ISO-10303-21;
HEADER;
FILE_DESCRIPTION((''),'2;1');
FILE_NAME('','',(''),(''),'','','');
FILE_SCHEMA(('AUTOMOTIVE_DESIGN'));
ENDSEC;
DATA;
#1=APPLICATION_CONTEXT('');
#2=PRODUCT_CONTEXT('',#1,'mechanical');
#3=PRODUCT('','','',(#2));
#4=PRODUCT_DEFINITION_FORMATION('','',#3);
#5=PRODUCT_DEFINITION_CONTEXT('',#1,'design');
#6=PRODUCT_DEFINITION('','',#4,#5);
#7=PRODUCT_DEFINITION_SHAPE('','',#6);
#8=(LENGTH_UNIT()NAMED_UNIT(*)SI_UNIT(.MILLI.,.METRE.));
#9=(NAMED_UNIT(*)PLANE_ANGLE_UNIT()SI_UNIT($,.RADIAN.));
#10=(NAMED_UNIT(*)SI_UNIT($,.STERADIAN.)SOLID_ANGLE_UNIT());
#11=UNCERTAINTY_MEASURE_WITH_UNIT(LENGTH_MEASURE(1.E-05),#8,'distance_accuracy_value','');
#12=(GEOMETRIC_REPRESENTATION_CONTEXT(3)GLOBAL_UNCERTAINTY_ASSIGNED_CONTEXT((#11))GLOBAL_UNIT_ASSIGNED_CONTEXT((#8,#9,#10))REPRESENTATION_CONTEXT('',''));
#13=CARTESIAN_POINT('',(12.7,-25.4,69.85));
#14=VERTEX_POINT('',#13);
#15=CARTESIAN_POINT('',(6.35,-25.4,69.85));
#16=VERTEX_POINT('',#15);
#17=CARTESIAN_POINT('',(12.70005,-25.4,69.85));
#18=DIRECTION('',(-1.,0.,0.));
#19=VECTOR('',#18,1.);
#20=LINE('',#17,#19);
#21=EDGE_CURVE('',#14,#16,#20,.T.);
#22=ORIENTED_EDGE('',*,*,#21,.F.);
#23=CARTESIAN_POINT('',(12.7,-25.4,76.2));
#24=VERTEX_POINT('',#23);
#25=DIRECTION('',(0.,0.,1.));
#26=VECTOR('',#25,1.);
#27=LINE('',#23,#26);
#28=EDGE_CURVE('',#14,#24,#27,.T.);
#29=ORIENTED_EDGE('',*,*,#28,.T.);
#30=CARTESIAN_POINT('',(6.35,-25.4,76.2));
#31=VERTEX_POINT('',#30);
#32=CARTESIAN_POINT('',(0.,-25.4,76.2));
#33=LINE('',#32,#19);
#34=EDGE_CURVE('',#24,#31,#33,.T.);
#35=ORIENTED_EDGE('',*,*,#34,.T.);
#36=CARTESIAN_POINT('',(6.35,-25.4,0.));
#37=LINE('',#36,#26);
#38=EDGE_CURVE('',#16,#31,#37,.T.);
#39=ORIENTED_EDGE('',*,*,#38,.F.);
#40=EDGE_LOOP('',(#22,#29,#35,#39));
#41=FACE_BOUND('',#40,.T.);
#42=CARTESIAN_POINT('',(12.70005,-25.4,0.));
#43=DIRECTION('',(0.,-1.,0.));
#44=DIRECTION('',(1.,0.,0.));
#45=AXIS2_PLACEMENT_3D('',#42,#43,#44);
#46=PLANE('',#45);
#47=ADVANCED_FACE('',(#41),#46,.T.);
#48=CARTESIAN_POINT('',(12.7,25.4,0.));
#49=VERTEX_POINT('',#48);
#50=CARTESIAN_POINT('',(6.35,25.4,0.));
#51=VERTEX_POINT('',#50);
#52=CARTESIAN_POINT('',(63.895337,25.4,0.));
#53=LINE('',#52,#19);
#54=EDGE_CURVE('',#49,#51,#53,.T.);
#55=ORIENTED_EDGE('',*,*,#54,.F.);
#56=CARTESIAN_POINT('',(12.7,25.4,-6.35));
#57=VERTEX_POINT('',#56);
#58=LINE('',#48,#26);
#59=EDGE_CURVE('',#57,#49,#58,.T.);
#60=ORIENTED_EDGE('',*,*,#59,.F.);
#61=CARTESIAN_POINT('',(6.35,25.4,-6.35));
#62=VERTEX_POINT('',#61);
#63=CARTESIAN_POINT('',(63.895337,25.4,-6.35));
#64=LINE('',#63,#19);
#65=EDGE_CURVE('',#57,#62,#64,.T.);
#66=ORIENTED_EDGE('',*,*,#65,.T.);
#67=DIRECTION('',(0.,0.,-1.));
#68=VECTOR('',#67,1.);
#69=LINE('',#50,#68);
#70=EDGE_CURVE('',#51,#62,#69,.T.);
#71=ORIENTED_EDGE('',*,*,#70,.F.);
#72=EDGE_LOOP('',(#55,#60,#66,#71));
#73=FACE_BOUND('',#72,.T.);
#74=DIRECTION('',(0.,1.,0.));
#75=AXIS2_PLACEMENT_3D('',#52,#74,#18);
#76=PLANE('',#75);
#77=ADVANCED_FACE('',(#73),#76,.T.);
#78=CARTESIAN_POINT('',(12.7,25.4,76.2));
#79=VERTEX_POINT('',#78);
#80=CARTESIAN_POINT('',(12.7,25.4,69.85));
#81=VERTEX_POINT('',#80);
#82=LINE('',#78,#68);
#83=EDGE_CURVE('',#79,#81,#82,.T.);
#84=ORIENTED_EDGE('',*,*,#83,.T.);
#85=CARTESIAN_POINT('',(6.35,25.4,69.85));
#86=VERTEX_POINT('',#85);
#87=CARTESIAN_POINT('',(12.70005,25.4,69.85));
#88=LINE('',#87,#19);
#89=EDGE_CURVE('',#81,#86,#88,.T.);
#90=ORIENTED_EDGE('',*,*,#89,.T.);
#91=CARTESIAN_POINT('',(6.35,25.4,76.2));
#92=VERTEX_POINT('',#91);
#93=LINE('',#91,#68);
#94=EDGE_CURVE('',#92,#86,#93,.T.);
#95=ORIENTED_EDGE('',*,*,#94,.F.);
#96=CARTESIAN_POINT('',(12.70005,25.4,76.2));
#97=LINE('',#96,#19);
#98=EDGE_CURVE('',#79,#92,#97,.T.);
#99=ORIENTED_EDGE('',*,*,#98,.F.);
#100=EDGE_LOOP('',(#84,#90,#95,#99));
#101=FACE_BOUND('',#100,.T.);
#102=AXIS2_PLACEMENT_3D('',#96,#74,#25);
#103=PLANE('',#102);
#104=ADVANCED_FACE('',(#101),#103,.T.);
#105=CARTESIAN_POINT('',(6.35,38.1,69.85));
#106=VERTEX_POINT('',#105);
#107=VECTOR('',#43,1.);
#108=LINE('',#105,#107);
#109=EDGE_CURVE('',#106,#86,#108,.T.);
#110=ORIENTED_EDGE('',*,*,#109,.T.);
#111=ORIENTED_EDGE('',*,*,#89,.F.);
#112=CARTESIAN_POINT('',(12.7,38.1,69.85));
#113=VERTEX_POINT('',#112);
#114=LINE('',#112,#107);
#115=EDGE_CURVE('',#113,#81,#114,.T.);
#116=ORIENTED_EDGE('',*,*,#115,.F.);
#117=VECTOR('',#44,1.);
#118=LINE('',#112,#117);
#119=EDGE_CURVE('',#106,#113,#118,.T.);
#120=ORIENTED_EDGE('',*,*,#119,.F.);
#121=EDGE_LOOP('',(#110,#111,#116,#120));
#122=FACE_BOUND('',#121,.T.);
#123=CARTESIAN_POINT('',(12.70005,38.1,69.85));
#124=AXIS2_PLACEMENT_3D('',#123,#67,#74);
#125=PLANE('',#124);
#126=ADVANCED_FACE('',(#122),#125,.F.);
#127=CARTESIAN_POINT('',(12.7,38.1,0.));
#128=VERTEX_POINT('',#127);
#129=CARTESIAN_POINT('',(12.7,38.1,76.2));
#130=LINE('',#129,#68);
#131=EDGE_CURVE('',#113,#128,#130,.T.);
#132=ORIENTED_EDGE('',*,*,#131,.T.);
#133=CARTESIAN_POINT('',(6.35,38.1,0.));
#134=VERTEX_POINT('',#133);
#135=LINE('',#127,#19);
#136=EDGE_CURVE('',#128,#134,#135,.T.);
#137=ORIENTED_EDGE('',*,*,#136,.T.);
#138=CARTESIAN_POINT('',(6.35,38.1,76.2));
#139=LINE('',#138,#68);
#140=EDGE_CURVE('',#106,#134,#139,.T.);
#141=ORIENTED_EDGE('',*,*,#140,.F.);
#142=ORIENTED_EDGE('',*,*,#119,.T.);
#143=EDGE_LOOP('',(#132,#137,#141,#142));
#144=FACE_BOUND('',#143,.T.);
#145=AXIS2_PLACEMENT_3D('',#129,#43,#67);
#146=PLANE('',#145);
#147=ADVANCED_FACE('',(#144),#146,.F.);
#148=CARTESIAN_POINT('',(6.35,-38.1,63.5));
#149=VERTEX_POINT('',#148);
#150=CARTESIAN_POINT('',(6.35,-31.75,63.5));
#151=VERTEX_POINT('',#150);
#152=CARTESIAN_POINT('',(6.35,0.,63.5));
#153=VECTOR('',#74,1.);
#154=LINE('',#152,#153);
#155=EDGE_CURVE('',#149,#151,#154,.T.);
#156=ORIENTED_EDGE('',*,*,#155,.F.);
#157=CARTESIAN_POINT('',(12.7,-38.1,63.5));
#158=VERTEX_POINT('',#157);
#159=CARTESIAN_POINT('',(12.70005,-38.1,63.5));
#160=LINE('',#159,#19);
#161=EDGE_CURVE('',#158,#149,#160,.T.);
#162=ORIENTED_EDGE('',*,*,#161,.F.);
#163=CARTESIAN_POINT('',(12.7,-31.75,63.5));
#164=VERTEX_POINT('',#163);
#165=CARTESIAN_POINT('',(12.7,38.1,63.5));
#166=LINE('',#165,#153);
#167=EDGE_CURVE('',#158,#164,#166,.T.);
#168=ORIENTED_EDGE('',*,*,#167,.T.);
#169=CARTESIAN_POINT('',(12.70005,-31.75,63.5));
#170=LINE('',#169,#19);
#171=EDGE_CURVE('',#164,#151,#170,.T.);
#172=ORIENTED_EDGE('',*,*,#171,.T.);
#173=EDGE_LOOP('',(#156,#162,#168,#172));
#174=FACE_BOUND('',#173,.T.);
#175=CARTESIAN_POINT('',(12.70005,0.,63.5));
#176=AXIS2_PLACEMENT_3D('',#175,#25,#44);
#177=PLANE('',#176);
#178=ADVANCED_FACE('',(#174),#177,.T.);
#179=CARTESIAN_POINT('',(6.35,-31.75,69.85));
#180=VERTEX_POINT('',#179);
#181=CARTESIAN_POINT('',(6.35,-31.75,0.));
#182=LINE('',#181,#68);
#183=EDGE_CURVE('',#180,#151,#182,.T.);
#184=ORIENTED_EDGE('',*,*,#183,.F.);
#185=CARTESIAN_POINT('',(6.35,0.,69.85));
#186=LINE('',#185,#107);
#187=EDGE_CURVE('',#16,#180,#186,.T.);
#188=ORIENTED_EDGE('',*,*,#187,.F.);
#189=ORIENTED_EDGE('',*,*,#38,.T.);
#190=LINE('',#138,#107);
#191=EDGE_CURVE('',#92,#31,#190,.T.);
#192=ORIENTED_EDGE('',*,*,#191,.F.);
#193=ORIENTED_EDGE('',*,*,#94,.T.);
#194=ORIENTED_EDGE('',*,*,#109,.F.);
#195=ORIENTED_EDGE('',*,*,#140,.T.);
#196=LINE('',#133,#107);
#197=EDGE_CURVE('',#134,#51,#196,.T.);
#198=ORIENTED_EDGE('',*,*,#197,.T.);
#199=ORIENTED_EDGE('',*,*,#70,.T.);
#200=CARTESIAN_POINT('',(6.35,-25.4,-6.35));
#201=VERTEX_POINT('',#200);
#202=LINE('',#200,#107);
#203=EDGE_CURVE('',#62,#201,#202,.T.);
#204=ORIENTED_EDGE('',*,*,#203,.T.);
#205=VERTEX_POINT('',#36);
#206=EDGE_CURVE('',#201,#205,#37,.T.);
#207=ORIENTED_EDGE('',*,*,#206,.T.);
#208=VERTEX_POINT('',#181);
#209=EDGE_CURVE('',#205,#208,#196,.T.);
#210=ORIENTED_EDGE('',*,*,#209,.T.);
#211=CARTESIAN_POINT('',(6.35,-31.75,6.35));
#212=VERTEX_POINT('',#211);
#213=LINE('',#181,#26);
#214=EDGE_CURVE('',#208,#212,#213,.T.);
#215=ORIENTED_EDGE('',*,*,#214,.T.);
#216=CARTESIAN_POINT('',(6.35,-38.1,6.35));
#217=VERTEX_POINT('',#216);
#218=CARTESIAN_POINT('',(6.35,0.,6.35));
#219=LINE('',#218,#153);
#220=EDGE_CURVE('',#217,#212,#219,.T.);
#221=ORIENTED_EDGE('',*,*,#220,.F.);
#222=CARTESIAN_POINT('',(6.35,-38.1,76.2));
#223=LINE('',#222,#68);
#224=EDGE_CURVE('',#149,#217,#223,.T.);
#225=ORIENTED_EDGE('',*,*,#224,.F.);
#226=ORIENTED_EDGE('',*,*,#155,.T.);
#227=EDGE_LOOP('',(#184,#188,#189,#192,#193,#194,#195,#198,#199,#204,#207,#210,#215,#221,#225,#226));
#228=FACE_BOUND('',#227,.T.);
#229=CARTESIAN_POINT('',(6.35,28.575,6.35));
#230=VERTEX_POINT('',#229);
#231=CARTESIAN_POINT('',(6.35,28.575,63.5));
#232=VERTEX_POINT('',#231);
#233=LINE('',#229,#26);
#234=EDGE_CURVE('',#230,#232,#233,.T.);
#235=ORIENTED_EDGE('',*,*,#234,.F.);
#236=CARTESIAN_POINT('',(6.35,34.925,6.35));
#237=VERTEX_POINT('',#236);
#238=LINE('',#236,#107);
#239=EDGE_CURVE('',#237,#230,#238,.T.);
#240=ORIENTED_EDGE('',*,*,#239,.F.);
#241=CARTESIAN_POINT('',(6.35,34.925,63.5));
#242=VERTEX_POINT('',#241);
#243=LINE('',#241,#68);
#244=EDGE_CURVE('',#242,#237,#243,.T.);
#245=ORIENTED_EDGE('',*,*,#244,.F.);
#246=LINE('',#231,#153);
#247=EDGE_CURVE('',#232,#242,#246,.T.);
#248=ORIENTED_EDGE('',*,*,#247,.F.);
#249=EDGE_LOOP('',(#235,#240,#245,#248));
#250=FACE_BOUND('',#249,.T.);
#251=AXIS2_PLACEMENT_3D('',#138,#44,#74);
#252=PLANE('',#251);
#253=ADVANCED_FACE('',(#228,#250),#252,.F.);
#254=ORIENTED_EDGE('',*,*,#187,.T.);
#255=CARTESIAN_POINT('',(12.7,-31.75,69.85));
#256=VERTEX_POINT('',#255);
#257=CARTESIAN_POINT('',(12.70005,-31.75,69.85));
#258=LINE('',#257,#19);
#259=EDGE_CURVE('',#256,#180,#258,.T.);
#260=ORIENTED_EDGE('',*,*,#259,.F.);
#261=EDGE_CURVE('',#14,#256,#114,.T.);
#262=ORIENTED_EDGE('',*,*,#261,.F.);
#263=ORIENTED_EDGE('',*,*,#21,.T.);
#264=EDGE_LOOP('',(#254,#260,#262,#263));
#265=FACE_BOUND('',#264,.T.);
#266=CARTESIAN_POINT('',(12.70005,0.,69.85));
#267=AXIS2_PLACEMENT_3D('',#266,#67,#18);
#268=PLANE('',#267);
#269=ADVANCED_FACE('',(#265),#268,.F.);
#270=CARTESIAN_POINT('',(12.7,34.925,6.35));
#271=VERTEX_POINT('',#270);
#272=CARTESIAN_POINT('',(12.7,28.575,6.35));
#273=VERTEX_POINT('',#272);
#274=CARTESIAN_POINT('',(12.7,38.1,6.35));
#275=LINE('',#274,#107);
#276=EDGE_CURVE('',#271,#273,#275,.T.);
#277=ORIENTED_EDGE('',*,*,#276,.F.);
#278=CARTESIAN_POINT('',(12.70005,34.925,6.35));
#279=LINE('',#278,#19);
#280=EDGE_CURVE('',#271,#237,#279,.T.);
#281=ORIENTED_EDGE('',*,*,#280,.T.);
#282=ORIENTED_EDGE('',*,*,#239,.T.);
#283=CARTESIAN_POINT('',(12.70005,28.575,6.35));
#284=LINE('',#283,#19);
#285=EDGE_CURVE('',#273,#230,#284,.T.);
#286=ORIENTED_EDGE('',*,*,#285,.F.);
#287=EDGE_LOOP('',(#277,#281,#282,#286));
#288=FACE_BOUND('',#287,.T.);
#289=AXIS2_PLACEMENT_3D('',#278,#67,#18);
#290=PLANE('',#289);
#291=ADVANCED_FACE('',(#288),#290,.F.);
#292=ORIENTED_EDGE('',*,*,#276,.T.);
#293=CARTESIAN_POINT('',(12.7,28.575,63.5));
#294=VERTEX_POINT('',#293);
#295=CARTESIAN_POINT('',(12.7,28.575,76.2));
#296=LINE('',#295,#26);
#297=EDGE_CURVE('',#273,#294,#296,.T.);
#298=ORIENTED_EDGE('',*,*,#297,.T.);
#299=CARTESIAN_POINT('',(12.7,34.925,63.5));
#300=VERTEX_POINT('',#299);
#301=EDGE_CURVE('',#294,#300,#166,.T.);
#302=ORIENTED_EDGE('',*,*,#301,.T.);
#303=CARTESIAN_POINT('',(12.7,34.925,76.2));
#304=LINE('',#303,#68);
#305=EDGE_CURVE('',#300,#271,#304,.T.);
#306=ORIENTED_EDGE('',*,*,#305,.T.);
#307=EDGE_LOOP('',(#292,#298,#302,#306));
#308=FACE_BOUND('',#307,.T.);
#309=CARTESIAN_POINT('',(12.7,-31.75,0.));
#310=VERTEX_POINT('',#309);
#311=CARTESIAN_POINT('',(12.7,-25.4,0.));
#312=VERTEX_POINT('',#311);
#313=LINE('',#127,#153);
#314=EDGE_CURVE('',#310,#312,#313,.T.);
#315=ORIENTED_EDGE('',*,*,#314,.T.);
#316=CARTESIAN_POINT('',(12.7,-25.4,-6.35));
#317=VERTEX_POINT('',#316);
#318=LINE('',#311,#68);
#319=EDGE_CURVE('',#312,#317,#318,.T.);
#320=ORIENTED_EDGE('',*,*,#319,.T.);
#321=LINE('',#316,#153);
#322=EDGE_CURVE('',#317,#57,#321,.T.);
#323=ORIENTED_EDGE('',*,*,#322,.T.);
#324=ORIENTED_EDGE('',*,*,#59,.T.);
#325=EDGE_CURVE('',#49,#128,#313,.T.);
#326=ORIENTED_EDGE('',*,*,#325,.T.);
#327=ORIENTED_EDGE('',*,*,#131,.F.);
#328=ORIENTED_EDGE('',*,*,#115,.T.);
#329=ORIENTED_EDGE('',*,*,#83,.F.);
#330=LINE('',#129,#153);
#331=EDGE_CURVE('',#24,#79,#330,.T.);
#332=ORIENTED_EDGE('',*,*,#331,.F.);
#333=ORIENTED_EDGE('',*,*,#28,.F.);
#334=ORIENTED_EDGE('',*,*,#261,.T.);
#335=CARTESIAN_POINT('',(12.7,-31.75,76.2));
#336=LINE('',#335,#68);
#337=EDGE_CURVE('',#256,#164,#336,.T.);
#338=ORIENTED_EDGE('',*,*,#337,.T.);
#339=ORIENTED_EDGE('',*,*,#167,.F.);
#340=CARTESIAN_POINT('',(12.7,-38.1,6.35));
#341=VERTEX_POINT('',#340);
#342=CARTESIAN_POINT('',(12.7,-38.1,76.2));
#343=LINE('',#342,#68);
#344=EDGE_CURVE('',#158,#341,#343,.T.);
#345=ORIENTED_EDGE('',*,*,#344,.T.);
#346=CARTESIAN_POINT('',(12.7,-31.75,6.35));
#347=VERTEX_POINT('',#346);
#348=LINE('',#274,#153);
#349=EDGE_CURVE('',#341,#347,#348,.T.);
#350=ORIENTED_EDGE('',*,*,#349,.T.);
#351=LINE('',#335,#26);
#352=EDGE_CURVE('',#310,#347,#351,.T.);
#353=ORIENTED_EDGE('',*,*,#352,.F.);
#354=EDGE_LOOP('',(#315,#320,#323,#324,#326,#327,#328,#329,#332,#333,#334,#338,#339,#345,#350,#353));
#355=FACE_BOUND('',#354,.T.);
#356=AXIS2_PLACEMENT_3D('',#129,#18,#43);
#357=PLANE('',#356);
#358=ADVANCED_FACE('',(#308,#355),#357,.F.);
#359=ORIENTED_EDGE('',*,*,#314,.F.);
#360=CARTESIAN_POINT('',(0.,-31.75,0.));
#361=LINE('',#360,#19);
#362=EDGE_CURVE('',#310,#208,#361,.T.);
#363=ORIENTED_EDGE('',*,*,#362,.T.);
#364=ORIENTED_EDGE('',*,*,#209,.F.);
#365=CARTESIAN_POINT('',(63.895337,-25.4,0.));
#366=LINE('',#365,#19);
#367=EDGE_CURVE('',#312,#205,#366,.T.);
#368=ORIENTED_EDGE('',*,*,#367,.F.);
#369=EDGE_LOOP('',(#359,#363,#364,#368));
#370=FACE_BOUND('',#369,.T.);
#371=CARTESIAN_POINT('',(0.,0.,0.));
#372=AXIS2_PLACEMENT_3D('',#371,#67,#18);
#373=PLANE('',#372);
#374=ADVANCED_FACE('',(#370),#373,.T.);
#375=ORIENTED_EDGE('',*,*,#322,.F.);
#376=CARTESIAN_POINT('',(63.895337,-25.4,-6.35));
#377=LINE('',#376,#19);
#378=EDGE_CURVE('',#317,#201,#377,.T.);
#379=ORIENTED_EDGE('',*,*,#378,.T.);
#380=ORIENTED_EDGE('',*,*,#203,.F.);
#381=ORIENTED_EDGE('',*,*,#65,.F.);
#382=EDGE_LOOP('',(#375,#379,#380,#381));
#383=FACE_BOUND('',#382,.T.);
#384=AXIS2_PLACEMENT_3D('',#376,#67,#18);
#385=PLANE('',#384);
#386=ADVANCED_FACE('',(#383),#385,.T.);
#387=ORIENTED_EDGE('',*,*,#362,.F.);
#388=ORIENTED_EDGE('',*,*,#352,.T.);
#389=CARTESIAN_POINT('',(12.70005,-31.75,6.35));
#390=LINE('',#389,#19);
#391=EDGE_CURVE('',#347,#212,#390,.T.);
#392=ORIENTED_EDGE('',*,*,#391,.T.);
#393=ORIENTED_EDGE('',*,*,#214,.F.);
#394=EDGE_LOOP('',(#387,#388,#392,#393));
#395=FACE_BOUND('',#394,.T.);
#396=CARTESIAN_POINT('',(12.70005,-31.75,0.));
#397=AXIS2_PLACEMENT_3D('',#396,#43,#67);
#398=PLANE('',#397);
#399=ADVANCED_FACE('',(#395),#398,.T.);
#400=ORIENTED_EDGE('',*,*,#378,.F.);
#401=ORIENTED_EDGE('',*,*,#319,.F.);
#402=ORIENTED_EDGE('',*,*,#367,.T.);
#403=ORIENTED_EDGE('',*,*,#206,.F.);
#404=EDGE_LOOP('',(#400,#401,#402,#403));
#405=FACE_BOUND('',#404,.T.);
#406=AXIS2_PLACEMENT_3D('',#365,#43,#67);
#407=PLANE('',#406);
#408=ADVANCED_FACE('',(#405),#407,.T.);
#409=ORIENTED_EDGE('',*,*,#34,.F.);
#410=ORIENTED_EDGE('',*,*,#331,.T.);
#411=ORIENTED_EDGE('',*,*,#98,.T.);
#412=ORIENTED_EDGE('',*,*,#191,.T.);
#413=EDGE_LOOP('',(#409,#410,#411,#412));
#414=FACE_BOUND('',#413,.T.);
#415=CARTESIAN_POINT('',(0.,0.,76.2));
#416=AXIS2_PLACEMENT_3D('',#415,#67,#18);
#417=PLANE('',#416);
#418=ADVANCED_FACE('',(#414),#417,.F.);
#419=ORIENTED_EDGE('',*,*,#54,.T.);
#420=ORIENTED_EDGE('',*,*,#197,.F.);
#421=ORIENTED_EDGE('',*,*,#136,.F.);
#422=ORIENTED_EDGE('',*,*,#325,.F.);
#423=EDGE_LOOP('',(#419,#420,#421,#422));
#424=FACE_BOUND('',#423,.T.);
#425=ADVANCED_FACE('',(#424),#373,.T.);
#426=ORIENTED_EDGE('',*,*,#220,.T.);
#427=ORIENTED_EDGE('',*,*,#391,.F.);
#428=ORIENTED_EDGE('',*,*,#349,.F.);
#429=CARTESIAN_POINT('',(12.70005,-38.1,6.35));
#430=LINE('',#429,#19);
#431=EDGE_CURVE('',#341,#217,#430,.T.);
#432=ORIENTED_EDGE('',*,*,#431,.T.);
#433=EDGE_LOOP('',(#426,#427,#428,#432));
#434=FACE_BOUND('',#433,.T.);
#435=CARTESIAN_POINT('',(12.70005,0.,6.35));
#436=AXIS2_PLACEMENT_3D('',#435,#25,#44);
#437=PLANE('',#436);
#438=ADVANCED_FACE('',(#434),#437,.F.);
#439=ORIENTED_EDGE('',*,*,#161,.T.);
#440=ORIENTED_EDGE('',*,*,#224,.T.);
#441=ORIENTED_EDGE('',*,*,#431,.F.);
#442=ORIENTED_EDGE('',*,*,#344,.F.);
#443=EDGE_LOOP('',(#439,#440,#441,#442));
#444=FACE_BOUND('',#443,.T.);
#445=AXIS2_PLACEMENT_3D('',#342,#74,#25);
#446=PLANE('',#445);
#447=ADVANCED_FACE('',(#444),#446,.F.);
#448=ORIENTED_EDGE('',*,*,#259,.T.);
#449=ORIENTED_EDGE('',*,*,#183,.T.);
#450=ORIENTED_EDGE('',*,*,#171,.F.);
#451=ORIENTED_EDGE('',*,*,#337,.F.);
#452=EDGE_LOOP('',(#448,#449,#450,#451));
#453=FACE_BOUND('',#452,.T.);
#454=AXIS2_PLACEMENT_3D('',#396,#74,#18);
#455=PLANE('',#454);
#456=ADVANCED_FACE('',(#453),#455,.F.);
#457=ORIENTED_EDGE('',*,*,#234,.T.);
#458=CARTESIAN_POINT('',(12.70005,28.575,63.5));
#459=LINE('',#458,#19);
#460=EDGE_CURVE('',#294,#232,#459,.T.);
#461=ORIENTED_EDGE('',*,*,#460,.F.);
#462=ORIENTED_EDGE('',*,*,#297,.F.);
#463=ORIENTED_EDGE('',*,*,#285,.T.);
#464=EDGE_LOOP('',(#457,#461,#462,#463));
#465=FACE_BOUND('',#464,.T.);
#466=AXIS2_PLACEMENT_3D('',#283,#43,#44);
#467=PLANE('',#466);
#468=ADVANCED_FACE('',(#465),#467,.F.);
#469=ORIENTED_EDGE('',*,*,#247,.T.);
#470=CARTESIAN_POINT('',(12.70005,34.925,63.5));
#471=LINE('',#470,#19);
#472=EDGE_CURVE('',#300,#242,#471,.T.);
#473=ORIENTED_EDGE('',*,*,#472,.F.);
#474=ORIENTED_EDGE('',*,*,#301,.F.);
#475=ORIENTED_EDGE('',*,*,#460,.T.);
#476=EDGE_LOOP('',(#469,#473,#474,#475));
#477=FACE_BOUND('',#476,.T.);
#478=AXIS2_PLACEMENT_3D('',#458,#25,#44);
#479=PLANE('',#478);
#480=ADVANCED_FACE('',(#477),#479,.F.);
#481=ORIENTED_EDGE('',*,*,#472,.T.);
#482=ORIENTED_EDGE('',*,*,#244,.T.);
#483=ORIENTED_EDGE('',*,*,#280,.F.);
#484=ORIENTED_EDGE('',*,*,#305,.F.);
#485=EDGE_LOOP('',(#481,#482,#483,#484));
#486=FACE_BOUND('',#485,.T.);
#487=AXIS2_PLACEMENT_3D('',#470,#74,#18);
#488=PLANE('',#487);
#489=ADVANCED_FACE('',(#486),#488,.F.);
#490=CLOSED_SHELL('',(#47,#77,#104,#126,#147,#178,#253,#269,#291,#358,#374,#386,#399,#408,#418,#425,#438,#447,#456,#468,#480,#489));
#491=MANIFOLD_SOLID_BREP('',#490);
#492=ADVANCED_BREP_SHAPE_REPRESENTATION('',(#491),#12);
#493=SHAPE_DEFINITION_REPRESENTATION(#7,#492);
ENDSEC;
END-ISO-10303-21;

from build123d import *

# Parameters (mm, degrees)
SKETCH1_W           = 6.35
SKETCH1_H           = 76.2
BOSS_EXTRUDE1_DEPTH = 76.2
SKETCH2_W           = 6.35
SKETCH2_H           = 50.8
BOSS_EXTRUDE2_DEPTH = 6.35
SKETCH3_W           = 6.35
SKETCH3_H           = 6.35
SKETCH3_H_2         = 12.7
CUT_EXTRUDE1_DEPTH  = 86.430512699
SKETCH4_W           = 57.15
SKETCH4_H           = 6.35
CUT_EXTRUDE2_DEPTH  = 86.430512699


with BuildPart() as part:
    # Sketch1 → Boss-Extrude1 (new body)
    with BuildSketch(Plane.XY):
        with Locations((9.525, 0)):
            Rectangle(SKETCH1_W, SKETCH1_H)
    extrude(amount=BOSS_EXTRUDE1_DEPTH)

    # Sketch2 → Boss-Extrude2 (add)
    with BuildSketch(Plane.ZY.offset(-6.35)):
        with Locations((-3.175, 0)):
            Rectangle(SKETCH2_W, SKETCH2_H)
    extrude(amount=-BOSS_EXTRUDE2_DEPTH)

    # Sketch3 → Cut-Extrude1 (cut, through all)
    with BuildSketch(Plane.ZY.offset(-6.35)):
        Polygon((69.85, -38.1), (76.2, -38.1), (76.2, -25.4), (69.85, -25.4), (69.85, -31.75), (63.5, -31.75), (63.5, -38.1), align=None)
        with Locations((3.175, -34.925)):
            Rectangle(SKETCH3_W, SKETCH3_H)
        with Locations((73.025, 31.75)):
            Rectangle(SKETCH3_W, SKETCH3_H_2)
    extrude(amount=-CUT_EXTRUDE1_DEPTH, mode=Mode.SUBTRACT)

    # Sketch4 → Cut-Extrude2 (cut, through all)
    with BuildSketch(Plane.ZY.offset(-6.35)):
        with Locations((34.925, 31.75)):
            Rectangle(SKETCH4_W, SKETCH4_H)
    extrude(amount=-CUT_EXTRUDE2_DEPTH, mode=Mode.SUBTRACT)


solid = part.part
